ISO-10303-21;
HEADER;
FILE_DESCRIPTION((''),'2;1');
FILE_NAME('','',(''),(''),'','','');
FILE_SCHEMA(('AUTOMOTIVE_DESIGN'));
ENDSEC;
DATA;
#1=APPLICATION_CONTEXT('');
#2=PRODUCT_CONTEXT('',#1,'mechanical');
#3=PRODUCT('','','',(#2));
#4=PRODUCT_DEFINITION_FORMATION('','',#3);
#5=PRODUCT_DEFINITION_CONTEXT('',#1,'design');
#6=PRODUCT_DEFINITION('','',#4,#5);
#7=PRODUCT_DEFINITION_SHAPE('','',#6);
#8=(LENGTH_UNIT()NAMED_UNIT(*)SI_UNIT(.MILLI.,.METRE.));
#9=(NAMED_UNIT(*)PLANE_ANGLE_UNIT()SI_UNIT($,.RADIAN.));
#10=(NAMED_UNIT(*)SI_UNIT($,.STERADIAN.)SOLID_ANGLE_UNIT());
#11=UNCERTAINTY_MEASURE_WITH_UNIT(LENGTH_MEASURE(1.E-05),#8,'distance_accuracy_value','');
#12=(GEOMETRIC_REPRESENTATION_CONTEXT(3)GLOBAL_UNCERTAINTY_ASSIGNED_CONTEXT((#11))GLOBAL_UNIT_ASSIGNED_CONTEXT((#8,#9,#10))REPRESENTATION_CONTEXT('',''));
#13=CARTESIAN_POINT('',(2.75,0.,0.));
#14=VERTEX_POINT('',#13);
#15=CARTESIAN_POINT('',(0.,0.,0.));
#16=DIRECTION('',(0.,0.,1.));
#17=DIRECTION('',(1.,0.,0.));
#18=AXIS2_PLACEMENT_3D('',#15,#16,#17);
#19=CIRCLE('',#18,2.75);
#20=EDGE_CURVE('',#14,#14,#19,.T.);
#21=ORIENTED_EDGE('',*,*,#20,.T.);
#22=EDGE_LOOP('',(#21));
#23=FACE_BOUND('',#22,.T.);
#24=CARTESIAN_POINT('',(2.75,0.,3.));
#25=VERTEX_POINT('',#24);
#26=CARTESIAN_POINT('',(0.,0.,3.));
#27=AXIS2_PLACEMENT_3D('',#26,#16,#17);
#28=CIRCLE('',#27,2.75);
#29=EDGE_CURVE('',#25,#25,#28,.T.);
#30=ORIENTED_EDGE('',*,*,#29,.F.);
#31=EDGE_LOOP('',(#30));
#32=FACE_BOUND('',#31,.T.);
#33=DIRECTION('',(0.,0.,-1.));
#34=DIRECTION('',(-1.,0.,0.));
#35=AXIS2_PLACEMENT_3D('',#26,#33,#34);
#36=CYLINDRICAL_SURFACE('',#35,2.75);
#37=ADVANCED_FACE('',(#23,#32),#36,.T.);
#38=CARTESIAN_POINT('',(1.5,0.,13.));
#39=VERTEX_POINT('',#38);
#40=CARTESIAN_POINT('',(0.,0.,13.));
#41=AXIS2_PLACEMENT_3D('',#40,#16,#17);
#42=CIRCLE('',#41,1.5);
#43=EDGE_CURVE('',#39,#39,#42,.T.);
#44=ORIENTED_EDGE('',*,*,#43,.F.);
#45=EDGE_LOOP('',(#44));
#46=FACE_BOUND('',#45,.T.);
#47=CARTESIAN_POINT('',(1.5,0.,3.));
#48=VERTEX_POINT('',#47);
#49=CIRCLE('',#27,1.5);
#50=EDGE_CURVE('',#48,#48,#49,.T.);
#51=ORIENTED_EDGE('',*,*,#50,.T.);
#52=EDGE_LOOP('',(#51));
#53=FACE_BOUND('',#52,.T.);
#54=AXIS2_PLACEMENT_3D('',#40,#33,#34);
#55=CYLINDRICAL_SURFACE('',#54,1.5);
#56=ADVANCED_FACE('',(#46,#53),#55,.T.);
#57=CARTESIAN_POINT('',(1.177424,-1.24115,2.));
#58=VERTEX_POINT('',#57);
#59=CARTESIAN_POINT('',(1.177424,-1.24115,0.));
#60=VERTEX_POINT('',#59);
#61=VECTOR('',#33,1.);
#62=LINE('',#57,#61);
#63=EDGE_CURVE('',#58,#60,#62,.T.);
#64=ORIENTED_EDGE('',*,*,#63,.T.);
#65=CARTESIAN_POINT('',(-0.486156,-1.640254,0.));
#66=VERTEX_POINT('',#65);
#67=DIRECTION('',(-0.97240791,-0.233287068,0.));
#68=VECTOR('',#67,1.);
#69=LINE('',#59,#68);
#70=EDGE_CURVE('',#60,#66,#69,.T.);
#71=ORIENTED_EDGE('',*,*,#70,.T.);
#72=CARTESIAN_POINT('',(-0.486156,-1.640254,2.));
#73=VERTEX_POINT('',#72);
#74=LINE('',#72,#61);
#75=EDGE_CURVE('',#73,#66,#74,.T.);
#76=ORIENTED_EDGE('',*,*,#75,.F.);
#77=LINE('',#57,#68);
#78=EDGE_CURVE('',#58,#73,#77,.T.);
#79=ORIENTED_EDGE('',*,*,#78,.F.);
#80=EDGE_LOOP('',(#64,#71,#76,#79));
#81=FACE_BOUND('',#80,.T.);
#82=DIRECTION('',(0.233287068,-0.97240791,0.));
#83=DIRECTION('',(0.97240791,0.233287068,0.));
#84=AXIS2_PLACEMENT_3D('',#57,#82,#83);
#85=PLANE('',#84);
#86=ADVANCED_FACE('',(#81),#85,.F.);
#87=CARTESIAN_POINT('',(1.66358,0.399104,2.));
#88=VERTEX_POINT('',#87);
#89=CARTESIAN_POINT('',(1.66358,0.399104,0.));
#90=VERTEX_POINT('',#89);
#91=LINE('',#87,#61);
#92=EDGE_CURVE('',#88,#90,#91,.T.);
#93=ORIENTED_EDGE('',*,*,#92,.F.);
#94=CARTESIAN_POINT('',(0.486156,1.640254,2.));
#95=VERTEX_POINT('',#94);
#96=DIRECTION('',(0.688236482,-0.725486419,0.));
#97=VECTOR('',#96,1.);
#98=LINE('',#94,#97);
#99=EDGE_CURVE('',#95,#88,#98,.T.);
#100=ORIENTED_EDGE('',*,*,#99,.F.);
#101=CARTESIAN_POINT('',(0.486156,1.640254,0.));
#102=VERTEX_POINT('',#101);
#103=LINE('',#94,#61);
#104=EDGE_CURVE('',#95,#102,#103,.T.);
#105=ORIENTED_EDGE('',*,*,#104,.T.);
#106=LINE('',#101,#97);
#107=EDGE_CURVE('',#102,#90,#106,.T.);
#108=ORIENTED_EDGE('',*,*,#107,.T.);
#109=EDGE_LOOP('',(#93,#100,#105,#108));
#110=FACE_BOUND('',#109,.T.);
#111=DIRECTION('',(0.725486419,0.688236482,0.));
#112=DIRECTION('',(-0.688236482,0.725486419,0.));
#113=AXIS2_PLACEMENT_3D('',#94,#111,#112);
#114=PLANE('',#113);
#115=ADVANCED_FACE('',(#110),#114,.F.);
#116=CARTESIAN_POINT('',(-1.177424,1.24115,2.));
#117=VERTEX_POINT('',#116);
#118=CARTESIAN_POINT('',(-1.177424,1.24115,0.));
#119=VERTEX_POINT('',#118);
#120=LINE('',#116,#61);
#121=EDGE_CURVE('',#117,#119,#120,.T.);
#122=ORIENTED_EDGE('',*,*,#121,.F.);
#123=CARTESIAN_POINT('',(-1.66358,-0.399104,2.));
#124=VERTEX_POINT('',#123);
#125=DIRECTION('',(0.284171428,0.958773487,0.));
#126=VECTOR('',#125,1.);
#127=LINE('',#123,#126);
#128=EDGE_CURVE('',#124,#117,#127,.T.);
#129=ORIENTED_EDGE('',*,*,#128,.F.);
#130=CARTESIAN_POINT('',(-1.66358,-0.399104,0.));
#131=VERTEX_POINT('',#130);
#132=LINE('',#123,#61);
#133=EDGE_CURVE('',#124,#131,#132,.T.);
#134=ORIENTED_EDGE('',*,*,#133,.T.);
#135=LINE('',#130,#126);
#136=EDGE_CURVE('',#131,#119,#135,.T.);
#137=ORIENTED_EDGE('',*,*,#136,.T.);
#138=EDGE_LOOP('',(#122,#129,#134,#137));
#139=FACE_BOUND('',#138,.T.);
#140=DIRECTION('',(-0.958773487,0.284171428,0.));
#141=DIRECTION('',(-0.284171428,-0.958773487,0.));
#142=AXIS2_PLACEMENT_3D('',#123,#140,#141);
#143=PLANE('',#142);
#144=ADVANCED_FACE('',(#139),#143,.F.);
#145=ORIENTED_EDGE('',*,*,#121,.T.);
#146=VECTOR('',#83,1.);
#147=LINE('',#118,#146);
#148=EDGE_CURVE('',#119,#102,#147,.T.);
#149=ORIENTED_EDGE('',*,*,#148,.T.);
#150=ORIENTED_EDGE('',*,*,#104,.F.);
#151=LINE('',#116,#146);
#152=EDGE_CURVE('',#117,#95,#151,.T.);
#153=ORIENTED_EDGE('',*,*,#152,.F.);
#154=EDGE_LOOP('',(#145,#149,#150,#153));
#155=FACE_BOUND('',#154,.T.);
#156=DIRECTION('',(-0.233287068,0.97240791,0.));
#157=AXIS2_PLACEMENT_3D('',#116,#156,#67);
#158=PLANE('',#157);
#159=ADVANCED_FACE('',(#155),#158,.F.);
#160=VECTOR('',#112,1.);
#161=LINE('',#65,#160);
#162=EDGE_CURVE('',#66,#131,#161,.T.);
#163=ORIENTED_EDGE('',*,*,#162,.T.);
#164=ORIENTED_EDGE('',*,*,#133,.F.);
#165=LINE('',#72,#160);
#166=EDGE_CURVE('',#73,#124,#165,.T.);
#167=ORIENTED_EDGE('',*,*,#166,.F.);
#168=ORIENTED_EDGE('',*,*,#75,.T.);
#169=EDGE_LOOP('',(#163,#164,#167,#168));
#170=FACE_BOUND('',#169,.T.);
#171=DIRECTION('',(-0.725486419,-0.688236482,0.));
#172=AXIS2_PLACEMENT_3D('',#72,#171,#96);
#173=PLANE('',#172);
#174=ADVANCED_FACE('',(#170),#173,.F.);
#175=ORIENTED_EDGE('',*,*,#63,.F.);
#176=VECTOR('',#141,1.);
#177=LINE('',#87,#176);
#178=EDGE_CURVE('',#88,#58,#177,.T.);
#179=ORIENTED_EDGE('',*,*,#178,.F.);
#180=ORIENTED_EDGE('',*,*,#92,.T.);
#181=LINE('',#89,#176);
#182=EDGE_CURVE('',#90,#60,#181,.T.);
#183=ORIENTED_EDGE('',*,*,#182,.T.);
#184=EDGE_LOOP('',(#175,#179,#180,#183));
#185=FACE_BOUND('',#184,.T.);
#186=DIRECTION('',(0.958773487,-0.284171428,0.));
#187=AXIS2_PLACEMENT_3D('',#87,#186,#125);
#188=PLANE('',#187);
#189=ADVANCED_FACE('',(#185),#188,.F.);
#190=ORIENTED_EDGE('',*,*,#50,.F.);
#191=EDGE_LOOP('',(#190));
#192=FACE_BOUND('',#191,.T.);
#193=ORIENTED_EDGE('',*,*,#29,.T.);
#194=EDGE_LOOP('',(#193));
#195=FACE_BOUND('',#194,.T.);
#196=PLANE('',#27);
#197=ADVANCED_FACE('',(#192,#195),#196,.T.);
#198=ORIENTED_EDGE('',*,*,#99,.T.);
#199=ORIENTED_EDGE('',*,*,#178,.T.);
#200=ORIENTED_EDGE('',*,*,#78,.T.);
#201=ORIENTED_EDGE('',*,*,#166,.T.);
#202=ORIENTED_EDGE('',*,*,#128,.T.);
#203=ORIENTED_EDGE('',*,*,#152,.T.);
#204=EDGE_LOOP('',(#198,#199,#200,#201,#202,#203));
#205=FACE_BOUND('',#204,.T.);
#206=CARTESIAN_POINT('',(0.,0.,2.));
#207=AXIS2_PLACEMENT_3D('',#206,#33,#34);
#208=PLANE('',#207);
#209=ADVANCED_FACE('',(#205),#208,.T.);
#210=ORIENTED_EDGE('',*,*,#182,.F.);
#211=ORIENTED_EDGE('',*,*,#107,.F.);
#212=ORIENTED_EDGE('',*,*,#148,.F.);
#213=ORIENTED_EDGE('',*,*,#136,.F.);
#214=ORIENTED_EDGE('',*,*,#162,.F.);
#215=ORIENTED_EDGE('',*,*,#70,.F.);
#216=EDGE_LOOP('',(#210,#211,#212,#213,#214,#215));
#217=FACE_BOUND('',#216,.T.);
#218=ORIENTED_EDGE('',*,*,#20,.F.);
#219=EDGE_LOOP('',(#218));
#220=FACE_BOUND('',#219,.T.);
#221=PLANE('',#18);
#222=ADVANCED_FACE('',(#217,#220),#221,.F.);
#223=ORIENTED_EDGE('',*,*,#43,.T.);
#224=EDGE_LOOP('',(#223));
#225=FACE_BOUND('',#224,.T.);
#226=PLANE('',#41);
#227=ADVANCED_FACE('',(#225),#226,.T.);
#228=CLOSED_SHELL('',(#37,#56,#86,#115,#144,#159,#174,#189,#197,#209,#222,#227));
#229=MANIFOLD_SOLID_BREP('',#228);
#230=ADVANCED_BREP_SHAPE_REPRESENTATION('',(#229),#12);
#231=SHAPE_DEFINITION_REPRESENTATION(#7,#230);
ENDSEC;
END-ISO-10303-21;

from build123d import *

# Parameters (mm, degrees)
SKETCH_1_R          = 2.75
EXTRUDE_1_DEPTH     = 3
SKETCH_2_R          = 1.5
EXTRUDE_2_DEPTH     = 10
CUT_EXTRUDE_1_DEPTH = 2


with BuildPart() as part:
    # ｽｹｯﾁ1 → ﾎﾞｽ - 押し出し1 (new body)
    with BuildSketch(Plane.XY):
        Circle(SKETCH_1_R)
    extrude(amount=EXTRUDE_1_DEPTH)

    # ｽｹｯﾁ2 → ﾎﾞｽ - 押し出し2 (add)
    with BuildSketch(Plane.XY.offset(3)):
        Circle(SKETCH_2_R)
    extrude(amount=EXTRUDE_2_DEPTH)

    # ｽｹｯﾁ3 → ｶｯﾄ - 押し出し1 (cut)
    with BuildSketch(Plane(origin=(0, 0, 0), x_dir=(-1, 0, 0), z_dir=(0, 0, -1))):
        Polygon((1.66357981, -0.399103763), (1.177423903, 1.241150495), (-0.486155907, 1.640254258), (-1.66357981, 0.399103763), (-1.177423903, -1.241150495), (0.486155907, -1.640254258), align=None)
    extrude(amount=-CUT_EXTRUDE_1_DEPTH, mode=Mode.SUBTRACT)


solid = part.part
